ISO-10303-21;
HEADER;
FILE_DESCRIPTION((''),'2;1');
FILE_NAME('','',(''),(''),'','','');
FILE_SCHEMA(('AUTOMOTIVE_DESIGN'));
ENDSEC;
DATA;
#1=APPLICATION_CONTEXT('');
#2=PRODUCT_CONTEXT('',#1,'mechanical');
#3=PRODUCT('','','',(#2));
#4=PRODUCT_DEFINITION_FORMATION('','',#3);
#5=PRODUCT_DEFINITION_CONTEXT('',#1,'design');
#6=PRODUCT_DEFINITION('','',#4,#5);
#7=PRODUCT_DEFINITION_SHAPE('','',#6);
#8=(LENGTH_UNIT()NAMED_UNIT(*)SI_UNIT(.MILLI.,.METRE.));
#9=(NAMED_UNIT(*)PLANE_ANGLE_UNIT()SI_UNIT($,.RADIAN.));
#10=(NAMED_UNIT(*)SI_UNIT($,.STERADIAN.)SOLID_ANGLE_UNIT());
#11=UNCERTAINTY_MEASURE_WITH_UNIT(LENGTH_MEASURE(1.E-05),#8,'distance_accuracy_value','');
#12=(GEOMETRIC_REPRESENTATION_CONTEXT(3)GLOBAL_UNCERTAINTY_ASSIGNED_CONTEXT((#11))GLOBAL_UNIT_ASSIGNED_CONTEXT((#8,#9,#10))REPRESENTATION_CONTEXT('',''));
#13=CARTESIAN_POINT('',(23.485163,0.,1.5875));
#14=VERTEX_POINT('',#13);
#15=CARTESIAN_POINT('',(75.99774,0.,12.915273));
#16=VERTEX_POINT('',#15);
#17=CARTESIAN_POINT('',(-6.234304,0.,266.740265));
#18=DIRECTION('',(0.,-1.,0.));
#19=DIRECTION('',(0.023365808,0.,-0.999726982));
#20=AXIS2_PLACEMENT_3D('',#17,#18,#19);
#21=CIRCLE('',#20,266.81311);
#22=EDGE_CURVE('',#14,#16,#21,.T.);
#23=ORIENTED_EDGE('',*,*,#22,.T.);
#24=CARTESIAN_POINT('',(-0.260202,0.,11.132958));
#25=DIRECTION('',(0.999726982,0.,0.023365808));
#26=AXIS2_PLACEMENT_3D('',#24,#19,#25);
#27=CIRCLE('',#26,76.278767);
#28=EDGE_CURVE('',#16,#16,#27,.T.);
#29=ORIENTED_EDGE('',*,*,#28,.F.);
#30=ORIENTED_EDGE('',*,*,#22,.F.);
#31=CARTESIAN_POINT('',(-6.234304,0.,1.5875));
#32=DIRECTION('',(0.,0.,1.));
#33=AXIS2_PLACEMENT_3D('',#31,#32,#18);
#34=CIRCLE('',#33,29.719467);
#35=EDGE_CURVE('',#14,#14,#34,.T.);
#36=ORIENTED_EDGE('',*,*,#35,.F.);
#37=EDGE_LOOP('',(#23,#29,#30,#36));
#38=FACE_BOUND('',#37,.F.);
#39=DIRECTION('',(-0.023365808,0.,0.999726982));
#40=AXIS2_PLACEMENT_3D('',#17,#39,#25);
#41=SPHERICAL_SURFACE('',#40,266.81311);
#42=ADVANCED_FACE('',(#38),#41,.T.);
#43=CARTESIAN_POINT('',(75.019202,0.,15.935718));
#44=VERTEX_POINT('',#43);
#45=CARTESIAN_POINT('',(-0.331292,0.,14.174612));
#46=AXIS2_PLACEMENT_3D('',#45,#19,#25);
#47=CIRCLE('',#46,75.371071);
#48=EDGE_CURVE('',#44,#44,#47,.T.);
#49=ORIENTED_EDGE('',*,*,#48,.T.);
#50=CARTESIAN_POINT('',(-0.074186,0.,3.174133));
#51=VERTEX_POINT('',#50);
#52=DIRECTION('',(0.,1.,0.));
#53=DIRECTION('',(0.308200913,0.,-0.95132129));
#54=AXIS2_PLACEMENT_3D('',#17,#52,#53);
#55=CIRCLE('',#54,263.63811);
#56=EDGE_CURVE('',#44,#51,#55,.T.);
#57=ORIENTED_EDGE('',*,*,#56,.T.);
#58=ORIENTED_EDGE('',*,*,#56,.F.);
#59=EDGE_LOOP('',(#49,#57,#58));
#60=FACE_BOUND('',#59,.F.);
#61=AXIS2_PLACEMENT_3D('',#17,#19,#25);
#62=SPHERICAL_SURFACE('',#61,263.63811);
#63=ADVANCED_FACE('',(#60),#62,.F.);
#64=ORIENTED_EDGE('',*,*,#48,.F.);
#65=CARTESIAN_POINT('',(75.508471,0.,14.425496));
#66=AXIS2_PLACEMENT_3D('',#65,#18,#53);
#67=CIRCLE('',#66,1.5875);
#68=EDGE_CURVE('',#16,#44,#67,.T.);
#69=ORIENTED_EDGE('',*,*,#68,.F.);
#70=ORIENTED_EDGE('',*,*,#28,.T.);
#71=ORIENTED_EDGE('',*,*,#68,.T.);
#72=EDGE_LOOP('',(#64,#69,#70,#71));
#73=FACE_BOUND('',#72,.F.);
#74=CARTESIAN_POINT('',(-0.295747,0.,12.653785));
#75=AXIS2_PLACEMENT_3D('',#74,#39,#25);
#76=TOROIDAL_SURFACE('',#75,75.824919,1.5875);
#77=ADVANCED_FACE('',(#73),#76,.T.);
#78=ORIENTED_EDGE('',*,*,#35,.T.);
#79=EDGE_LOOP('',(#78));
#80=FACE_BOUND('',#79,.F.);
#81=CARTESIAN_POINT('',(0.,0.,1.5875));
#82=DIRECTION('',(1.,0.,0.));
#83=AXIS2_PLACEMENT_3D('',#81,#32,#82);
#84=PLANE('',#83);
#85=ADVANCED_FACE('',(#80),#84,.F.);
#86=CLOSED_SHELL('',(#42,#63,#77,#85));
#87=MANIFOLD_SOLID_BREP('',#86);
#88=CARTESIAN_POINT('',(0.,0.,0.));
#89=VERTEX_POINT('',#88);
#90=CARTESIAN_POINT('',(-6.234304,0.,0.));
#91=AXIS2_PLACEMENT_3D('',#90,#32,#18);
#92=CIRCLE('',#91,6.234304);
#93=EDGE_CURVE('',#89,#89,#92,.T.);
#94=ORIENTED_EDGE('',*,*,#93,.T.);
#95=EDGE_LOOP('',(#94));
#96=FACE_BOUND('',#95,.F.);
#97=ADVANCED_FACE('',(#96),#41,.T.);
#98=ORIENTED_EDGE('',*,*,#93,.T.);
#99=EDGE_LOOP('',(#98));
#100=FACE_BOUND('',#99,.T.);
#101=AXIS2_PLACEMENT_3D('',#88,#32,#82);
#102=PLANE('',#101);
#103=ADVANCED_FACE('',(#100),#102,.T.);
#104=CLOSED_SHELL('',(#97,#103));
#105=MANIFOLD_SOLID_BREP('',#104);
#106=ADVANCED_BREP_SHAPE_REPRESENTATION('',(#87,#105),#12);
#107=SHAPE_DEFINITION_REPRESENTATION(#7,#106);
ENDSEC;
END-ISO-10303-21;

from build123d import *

# Parameters (mm, degrees)
F2_R     = 76.2
F3_DEPTH = 1.5875


with BuildPart() as f1:
    # F0 (on Front) → F1 (revolve)
    with BuildSketch(Plane.XZ):
        with BuildLine():
            Line((-0.0741864407, 3.1741331686), (0, 0))
            ThreePointArc((0, 0), (38.4677625514, 3.6985177994), (75.9977400303, 12.915273197))
            ThreePointArc((75.9977400303, 12.915273197), (77.0186936295, 14.9147646944), (75.0192021321, 15.9357182936))
            ThreePointArc((75.0192021321, 15.9357182936), (37.9358206943, 6.8286396598), (-0.0741864407, 3.1741331686))
        make_face()
    revolve(axis=Axis((-0.0370932204, 0, 1.5870665843), (0.0233658081, 0, -0.9997269822)))

    # F2 (on Top) → F3 (cut)
    with BuildSketch(Plane.XY):
        Circle(F2_R)
    extrude(amount=F3_DEPTH, mode=Mode.SUBTRACT)


solid = f1.part
